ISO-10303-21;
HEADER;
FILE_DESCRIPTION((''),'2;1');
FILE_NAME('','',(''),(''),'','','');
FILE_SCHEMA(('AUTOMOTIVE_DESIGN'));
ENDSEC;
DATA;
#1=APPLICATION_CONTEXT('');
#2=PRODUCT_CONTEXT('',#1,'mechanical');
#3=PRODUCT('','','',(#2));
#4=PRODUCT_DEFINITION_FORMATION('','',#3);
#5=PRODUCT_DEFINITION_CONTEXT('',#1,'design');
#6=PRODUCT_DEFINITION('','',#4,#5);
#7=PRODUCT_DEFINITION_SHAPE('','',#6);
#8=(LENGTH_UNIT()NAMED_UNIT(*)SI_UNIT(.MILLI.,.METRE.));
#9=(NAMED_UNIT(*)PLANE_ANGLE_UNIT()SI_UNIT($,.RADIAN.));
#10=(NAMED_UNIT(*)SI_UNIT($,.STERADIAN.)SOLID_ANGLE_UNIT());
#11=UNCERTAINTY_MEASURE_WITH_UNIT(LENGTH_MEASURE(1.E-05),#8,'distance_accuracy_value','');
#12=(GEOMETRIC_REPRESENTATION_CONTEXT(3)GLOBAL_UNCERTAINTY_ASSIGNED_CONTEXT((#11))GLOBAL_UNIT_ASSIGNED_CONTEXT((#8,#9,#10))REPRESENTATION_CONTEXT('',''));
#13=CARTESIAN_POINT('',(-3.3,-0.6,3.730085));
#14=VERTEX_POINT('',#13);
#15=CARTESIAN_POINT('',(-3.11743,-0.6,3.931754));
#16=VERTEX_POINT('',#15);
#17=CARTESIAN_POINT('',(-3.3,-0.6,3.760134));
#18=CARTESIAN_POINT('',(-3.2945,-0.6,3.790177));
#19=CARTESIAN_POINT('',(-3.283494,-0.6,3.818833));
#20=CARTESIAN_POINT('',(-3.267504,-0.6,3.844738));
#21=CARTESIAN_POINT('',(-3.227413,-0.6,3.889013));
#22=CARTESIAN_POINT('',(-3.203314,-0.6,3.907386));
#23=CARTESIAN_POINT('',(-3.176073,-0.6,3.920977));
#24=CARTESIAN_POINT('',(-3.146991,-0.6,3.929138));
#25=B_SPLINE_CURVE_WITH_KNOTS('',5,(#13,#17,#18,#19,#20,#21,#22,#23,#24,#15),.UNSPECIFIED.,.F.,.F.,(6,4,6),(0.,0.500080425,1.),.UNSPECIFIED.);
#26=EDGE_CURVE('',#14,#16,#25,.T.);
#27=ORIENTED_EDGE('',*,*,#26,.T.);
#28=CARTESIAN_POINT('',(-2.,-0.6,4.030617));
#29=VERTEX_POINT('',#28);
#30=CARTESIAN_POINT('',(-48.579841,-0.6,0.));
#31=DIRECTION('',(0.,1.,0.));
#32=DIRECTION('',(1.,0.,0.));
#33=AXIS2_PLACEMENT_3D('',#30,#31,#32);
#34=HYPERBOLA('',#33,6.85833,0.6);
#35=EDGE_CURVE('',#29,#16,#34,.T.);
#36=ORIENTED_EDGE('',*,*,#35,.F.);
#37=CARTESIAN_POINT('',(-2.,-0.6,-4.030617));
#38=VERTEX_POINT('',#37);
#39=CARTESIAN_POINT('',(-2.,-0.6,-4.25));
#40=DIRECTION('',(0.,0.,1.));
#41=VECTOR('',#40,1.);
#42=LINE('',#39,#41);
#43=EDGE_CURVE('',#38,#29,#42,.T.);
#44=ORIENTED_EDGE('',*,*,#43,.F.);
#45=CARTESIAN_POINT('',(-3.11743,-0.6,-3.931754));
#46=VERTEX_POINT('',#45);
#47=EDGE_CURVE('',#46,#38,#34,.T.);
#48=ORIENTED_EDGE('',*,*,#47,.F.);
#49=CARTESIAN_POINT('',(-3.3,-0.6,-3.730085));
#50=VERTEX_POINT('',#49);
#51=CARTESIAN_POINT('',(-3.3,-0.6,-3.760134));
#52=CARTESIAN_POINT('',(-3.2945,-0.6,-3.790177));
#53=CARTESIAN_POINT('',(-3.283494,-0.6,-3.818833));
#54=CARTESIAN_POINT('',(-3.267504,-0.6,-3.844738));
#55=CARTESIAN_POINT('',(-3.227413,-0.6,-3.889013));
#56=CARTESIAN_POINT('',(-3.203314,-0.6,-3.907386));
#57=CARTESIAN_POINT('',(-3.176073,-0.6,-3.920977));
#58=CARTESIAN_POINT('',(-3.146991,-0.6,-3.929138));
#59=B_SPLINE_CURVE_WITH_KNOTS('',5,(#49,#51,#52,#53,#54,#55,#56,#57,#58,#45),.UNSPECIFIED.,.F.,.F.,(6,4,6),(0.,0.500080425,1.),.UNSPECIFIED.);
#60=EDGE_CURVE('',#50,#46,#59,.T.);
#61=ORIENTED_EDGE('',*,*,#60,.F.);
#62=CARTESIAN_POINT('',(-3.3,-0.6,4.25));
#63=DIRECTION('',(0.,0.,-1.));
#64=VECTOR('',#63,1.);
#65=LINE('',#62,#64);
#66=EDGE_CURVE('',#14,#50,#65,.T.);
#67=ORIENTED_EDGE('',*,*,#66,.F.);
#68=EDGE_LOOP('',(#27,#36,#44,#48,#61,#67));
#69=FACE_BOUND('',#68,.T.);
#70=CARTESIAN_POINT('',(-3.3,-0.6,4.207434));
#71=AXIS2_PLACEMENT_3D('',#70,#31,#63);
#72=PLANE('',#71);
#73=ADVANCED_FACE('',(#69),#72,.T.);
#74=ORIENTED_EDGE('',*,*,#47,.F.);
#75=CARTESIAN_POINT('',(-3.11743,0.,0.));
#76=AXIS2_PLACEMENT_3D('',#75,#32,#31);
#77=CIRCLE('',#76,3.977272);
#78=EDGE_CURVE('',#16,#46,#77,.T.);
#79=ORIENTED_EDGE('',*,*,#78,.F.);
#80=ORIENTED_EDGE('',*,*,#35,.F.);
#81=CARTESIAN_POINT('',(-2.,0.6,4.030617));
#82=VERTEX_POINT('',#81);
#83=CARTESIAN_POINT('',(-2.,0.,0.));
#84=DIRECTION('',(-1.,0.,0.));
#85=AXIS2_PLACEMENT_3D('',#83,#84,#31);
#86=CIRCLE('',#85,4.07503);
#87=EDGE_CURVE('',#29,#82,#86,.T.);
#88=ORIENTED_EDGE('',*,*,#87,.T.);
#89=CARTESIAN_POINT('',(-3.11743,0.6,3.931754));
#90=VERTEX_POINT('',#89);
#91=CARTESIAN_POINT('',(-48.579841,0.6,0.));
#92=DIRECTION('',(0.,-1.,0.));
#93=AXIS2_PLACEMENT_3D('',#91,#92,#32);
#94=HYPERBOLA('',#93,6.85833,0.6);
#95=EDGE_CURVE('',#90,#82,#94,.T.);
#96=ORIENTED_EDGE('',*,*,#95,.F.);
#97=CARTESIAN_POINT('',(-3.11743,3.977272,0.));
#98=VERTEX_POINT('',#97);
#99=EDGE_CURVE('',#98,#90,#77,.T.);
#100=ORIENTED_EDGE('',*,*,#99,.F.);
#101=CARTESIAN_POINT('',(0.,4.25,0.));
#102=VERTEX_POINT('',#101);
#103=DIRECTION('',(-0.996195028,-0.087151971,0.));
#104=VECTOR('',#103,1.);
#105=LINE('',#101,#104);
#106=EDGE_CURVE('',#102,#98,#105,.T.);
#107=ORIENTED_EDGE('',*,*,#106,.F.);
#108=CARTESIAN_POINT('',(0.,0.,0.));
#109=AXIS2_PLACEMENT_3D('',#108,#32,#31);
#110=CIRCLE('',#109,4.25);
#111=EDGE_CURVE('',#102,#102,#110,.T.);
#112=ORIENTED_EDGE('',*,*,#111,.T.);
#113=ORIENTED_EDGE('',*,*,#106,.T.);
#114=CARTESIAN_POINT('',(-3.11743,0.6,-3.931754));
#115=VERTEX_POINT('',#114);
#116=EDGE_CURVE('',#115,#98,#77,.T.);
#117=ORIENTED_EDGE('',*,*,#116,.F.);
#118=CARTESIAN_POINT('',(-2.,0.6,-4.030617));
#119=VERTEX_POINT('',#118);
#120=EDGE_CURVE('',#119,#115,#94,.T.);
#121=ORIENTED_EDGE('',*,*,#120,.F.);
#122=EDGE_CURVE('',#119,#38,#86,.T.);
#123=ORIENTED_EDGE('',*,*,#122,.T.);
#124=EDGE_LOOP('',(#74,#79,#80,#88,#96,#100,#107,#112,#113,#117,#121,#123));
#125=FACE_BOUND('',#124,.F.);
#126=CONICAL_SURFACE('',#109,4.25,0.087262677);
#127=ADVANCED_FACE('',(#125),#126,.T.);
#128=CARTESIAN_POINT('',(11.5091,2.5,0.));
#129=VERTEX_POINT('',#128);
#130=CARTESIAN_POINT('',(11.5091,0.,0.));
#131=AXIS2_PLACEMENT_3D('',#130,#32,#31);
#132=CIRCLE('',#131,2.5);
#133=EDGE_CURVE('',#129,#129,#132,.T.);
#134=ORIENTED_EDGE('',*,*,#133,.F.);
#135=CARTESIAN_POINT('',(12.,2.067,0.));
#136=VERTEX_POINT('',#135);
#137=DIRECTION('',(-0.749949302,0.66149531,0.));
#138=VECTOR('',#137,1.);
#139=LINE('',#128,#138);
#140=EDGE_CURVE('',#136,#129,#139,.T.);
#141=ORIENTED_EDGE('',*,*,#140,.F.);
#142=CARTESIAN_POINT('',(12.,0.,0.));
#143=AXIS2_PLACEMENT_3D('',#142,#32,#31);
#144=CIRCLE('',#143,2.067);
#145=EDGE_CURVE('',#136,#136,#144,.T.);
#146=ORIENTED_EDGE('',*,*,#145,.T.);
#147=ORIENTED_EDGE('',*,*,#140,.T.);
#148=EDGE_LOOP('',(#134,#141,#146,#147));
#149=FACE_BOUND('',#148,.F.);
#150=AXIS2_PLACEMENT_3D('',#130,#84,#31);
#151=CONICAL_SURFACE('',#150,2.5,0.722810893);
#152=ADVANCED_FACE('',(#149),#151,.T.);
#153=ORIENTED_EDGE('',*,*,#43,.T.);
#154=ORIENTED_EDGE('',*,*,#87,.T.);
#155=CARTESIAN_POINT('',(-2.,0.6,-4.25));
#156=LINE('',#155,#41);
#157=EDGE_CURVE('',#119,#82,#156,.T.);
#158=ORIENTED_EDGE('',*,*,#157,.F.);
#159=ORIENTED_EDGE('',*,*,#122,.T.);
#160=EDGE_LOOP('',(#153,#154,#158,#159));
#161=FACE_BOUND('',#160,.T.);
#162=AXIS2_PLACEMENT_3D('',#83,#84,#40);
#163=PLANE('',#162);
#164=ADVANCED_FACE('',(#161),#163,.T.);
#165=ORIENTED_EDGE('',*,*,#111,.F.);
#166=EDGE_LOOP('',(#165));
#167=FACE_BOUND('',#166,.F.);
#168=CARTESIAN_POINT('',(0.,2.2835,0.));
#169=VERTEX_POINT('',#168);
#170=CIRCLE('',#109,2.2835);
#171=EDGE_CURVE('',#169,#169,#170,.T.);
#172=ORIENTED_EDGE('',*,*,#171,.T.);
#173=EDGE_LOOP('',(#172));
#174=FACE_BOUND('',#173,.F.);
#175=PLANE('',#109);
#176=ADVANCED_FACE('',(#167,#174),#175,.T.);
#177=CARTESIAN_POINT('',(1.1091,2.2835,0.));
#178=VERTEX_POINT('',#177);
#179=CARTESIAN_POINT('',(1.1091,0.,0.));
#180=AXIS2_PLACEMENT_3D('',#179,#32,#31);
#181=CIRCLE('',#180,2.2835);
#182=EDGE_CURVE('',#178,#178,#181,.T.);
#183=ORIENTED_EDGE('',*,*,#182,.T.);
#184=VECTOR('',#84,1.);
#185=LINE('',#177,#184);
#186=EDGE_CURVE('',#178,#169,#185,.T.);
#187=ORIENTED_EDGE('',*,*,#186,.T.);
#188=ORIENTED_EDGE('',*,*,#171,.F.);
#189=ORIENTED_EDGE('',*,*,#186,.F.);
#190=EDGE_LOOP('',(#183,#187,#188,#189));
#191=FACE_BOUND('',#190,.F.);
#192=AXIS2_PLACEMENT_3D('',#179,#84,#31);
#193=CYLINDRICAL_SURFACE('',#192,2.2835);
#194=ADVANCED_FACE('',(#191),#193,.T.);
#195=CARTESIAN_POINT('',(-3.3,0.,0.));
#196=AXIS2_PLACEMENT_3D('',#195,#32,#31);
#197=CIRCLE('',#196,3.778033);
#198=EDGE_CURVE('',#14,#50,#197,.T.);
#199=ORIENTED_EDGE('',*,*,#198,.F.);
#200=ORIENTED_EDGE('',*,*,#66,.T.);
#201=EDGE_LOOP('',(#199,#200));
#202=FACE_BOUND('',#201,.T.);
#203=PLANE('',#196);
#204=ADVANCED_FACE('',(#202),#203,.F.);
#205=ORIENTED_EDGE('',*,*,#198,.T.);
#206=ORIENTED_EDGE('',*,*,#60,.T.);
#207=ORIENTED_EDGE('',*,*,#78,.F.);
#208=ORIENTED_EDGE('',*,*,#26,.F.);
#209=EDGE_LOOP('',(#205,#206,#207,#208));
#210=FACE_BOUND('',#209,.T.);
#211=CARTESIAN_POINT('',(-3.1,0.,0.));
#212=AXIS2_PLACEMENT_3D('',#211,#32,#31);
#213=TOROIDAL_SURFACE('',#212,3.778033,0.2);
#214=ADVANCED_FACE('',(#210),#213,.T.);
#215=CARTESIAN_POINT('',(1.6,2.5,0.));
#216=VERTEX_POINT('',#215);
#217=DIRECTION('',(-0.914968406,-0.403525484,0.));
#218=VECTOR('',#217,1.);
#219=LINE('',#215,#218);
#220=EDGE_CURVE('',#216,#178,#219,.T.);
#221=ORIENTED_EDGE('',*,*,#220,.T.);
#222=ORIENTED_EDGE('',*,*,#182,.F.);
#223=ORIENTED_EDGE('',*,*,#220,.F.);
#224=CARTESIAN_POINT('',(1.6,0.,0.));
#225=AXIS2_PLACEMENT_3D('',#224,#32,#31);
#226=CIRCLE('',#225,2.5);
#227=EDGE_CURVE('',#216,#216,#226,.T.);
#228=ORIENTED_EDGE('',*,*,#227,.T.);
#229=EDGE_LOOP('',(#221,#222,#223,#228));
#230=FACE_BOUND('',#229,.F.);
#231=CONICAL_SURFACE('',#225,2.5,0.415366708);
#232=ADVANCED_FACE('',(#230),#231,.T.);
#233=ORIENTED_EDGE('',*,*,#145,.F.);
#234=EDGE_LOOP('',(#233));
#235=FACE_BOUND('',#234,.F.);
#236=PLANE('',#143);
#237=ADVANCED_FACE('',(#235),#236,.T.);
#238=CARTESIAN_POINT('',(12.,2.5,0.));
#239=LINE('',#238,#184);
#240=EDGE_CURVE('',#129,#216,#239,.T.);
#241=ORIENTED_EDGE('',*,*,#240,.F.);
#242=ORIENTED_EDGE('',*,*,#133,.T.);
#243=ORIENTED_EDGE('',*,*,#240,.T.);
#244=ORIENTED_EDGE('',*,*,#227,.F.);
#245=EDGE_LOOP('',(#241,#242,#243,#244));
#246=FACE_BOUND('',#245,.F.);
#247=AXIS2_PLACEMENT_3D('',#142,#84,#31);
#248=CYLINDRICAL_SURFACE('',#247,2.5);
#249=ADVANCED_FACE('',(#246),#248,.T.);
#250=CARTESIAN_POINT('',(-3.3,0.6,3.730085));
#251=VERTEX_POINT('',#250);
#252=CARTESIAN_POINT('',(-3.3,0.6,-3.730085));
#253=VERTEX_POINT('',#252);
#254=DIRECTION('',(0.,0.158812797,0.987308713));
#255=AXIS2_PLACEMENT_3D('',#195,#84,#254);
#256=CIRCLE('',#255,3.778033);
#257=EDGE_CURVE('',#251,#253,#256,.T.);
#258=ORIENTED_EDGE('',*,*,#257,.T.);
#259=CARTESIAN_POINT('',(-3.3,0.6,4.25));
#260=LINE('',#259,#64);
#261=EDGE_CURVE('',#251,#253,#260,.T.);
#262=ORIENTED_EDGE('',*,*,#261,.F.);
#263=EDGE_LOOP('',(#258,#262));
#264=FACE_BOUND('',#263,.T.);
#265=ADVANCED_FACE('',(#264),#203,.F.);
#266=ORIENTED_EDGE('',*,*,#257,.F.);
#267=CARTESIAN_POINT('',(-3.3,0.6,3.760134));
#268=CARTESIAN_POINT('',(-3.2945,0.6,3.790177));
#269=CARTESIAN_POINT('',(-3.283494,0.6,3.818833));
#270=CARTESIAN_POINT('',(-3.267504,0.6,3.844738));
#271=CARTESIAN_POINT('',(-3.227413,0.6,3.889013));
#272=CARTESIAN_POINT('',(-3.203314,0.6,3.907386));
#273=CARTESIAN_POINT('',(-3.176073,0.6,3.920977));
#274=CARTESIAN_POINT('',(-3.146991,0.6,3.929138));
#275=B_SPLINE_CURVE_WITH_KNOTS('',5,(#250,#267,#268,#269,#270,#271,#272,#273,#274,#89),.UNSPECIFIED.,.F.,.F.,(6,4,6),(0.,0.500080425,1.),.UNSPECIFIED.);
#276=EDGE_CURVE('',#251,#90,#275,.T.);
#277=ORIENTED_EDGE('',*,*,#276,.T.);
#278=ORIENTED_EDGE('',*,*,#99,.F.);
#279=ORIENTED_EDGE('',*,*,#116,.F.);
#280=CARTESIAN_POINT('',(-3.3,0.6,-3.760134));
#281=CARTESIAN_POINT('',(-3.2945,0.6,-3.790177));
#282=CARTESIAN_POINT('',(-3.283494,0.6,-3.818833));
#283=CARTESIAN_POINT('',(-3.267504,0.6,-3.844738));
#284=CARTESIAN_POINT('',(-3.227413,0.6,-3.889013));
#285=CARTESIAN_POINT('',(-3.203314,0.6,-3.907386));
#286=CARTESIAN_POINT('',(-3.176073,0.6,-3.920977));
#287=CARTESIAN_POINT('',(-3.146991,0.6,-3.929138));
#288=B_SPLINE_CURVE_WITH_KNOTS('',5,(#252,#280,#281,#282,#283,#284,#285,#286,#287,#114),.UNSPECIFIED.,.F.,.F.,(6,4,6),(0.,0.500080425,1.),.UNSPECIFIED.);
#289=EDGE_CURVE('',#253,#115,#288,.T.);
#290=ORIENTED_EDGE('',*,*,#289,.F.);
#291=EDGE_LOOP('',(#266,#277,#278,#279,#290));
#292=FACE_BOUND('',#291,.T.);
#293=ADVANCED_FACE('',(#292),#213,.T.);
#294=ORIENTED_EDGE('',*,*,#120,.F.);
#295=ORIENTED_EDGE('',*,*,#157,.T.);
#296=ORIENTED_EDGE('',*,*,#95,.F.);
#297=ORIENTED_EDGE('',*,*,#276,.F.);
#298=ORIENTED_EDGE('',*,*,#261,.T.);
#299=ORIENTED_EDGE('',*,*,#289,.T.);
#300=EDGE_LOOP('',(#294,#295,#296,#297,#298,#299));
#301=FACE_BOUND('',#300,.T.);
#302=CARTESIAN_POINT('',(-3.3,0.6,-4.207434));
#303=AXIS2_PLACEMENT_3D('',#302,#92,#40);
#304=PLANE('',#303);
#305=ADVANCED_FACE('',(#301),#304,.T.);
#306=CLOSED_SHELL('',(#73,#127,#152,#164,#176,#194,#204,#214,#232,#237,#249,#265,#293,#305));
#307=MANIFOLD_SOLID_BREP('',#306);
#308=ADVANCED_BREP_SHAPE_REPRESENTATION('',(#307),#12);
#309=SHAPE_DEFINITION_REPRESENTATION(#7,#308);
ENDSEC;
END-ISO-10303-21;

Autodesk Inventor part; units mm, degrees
ref_plane "YZ Plane" through (0, 0, 0) normal (1, 0, 0) x (0, 1, 0)
ref_plane "XZ Plane" through (0, 0, 0) normal (0, 1, 0) x (-1, 0, 0)
sketch "Sketch1" plane through (0, 0, 0) normal (0, 0, 1) x (1, 0, 0)
  line L0 (-3.3, 0) -> (12, 0)
  line L1 (12, 0) -> (12, 2.5)
  line L2 (12, 2.5) -> (1.6, 2.5)
  line L3 (1.6, 2.5) -> (1.1091, 2.2835)
  line L4 (1.1091, 2.2835) -> (0, 2.2835)
  line L5 (0, 2.2835) -> (0, 4.25)
  line L6 (-6.36, 0) -> (15.06, 0) projected
  line L7 (0, -0.85) -> (0, 5.1) projected
  line L8 (-3.3, 0) -> (-3.3, 3.9613)
  line L9 (0, 4.25) -> (-3.3, 3.9613)
  line L10 (1.6, 2.5) -> (0, 2.5) construction
  dimension "d0" = 12
  dimension "d1" = 10.4
  dimension "d2" = 0.4909
  dimension "d3" = 3.3
  dimension "d4" = 5
  dimension "d5" = 4.567
  dimension "d9" = 8.5
  dimension "d10" = 5
revolve "Body" add sketch "Sketch1" angle 360 about axis through (-3.3, 0, 0) along (1, 0, 0)
sketch "Sketch2" plane through (-3.3, 0, 0) normal (-1, 0, 0) x (0, 0, 1)
  circle A0 centre (0, 0) radius 4.25 projected
  line L0 (0, 0) -> (0, 3.9613) projected
  line L1 (-4.25, 0.6) -> (4.25, 0.6)
  line L2 (4.25, 0.6) -> (4.25, -0.6)
  line L3 (4.25, -0.6) -> (-4.25, -0.6)
  line L4 (-4.25, -0.6) -> (-4.25, 0.6)
  line L5 (-4.25, 0) -> (4.25, 0) construction
  line L6 (0, 0.6) -> (0, -0.6) construction
  dimension "d11" = 1.2
  dimension "d12" = 8.5
fillet "Fillet1" radius 0.2 1 edges at (-3.3, -3.9613, 0)
extrude "Slot" cut sketch "Sketch2" against normal blind 1.3 contours A0 L3 L1 | L2 L3 A0 | A0 L1 L2 | A0 L4 L1 | L3 L4 A0
thread "Thread" size "M5x0.8" class "6g" standard "ISO Metric profile" length 10.4
chamfer "Chamfer1" distance 0.433 distance2 0.4909 1 edges at (12, -2.5, 0) measured on face at (12, 0.6684, -0.7339)
ref_plane "Work Plane1" through (30.1625, 0, 0) normal (0, 0, -1) x (1, 0, 0)
equation "\"d11\" = SBR"
equation "\"d12\" = KOD"
equation "\"d14\" = RR"
equation "\"d19\" = STI"
equation "\"d15\" = GEL"
equation "\"d17\" = -0.5 * SPD + 0.5 * GD"
equation "\"d0\" = NLG"
equation "\"d1\" = GEL"
equation "\"d3\" = KOH"
equation "\"d4\" = GD"
equation "\"d5\" = BDM"
equation "\"d9\" = KOD"
equation "\"d10\" = KEWI"
equation "\"GD\" = 5"
equation "\"NLG\" = 12"
equation "\"GEL\" = 10.4"
equation "\"KOD\" = 8.5"
equation "\"KOH\" = 3.3"
equation "\"GAL\" = 0.61345 * PTC"
equation "\"SPD\" = 4.13397"
equation "\"BDM\" = 4.56699"
equation "\"GUL\" = 0.61345 * PTC"
equation "\"RR\" = 0.2"
equation "\"SBR\" = 1.2"
equation "\"STI\" = 1.3"
equation "\"KEWI\" = 5deg"
equation "\"PTC\" = 0.8"
equation "\"THREADDIA\" = 5"
equation "\"TOA\" = 30deg"
equation "\"NND\" = 5"
equation "\"GD1\" = THREADDIA - 1.2269 * PTC"
properties part number "DIN 84 - M5 x 12" material "Steel, Mild"
